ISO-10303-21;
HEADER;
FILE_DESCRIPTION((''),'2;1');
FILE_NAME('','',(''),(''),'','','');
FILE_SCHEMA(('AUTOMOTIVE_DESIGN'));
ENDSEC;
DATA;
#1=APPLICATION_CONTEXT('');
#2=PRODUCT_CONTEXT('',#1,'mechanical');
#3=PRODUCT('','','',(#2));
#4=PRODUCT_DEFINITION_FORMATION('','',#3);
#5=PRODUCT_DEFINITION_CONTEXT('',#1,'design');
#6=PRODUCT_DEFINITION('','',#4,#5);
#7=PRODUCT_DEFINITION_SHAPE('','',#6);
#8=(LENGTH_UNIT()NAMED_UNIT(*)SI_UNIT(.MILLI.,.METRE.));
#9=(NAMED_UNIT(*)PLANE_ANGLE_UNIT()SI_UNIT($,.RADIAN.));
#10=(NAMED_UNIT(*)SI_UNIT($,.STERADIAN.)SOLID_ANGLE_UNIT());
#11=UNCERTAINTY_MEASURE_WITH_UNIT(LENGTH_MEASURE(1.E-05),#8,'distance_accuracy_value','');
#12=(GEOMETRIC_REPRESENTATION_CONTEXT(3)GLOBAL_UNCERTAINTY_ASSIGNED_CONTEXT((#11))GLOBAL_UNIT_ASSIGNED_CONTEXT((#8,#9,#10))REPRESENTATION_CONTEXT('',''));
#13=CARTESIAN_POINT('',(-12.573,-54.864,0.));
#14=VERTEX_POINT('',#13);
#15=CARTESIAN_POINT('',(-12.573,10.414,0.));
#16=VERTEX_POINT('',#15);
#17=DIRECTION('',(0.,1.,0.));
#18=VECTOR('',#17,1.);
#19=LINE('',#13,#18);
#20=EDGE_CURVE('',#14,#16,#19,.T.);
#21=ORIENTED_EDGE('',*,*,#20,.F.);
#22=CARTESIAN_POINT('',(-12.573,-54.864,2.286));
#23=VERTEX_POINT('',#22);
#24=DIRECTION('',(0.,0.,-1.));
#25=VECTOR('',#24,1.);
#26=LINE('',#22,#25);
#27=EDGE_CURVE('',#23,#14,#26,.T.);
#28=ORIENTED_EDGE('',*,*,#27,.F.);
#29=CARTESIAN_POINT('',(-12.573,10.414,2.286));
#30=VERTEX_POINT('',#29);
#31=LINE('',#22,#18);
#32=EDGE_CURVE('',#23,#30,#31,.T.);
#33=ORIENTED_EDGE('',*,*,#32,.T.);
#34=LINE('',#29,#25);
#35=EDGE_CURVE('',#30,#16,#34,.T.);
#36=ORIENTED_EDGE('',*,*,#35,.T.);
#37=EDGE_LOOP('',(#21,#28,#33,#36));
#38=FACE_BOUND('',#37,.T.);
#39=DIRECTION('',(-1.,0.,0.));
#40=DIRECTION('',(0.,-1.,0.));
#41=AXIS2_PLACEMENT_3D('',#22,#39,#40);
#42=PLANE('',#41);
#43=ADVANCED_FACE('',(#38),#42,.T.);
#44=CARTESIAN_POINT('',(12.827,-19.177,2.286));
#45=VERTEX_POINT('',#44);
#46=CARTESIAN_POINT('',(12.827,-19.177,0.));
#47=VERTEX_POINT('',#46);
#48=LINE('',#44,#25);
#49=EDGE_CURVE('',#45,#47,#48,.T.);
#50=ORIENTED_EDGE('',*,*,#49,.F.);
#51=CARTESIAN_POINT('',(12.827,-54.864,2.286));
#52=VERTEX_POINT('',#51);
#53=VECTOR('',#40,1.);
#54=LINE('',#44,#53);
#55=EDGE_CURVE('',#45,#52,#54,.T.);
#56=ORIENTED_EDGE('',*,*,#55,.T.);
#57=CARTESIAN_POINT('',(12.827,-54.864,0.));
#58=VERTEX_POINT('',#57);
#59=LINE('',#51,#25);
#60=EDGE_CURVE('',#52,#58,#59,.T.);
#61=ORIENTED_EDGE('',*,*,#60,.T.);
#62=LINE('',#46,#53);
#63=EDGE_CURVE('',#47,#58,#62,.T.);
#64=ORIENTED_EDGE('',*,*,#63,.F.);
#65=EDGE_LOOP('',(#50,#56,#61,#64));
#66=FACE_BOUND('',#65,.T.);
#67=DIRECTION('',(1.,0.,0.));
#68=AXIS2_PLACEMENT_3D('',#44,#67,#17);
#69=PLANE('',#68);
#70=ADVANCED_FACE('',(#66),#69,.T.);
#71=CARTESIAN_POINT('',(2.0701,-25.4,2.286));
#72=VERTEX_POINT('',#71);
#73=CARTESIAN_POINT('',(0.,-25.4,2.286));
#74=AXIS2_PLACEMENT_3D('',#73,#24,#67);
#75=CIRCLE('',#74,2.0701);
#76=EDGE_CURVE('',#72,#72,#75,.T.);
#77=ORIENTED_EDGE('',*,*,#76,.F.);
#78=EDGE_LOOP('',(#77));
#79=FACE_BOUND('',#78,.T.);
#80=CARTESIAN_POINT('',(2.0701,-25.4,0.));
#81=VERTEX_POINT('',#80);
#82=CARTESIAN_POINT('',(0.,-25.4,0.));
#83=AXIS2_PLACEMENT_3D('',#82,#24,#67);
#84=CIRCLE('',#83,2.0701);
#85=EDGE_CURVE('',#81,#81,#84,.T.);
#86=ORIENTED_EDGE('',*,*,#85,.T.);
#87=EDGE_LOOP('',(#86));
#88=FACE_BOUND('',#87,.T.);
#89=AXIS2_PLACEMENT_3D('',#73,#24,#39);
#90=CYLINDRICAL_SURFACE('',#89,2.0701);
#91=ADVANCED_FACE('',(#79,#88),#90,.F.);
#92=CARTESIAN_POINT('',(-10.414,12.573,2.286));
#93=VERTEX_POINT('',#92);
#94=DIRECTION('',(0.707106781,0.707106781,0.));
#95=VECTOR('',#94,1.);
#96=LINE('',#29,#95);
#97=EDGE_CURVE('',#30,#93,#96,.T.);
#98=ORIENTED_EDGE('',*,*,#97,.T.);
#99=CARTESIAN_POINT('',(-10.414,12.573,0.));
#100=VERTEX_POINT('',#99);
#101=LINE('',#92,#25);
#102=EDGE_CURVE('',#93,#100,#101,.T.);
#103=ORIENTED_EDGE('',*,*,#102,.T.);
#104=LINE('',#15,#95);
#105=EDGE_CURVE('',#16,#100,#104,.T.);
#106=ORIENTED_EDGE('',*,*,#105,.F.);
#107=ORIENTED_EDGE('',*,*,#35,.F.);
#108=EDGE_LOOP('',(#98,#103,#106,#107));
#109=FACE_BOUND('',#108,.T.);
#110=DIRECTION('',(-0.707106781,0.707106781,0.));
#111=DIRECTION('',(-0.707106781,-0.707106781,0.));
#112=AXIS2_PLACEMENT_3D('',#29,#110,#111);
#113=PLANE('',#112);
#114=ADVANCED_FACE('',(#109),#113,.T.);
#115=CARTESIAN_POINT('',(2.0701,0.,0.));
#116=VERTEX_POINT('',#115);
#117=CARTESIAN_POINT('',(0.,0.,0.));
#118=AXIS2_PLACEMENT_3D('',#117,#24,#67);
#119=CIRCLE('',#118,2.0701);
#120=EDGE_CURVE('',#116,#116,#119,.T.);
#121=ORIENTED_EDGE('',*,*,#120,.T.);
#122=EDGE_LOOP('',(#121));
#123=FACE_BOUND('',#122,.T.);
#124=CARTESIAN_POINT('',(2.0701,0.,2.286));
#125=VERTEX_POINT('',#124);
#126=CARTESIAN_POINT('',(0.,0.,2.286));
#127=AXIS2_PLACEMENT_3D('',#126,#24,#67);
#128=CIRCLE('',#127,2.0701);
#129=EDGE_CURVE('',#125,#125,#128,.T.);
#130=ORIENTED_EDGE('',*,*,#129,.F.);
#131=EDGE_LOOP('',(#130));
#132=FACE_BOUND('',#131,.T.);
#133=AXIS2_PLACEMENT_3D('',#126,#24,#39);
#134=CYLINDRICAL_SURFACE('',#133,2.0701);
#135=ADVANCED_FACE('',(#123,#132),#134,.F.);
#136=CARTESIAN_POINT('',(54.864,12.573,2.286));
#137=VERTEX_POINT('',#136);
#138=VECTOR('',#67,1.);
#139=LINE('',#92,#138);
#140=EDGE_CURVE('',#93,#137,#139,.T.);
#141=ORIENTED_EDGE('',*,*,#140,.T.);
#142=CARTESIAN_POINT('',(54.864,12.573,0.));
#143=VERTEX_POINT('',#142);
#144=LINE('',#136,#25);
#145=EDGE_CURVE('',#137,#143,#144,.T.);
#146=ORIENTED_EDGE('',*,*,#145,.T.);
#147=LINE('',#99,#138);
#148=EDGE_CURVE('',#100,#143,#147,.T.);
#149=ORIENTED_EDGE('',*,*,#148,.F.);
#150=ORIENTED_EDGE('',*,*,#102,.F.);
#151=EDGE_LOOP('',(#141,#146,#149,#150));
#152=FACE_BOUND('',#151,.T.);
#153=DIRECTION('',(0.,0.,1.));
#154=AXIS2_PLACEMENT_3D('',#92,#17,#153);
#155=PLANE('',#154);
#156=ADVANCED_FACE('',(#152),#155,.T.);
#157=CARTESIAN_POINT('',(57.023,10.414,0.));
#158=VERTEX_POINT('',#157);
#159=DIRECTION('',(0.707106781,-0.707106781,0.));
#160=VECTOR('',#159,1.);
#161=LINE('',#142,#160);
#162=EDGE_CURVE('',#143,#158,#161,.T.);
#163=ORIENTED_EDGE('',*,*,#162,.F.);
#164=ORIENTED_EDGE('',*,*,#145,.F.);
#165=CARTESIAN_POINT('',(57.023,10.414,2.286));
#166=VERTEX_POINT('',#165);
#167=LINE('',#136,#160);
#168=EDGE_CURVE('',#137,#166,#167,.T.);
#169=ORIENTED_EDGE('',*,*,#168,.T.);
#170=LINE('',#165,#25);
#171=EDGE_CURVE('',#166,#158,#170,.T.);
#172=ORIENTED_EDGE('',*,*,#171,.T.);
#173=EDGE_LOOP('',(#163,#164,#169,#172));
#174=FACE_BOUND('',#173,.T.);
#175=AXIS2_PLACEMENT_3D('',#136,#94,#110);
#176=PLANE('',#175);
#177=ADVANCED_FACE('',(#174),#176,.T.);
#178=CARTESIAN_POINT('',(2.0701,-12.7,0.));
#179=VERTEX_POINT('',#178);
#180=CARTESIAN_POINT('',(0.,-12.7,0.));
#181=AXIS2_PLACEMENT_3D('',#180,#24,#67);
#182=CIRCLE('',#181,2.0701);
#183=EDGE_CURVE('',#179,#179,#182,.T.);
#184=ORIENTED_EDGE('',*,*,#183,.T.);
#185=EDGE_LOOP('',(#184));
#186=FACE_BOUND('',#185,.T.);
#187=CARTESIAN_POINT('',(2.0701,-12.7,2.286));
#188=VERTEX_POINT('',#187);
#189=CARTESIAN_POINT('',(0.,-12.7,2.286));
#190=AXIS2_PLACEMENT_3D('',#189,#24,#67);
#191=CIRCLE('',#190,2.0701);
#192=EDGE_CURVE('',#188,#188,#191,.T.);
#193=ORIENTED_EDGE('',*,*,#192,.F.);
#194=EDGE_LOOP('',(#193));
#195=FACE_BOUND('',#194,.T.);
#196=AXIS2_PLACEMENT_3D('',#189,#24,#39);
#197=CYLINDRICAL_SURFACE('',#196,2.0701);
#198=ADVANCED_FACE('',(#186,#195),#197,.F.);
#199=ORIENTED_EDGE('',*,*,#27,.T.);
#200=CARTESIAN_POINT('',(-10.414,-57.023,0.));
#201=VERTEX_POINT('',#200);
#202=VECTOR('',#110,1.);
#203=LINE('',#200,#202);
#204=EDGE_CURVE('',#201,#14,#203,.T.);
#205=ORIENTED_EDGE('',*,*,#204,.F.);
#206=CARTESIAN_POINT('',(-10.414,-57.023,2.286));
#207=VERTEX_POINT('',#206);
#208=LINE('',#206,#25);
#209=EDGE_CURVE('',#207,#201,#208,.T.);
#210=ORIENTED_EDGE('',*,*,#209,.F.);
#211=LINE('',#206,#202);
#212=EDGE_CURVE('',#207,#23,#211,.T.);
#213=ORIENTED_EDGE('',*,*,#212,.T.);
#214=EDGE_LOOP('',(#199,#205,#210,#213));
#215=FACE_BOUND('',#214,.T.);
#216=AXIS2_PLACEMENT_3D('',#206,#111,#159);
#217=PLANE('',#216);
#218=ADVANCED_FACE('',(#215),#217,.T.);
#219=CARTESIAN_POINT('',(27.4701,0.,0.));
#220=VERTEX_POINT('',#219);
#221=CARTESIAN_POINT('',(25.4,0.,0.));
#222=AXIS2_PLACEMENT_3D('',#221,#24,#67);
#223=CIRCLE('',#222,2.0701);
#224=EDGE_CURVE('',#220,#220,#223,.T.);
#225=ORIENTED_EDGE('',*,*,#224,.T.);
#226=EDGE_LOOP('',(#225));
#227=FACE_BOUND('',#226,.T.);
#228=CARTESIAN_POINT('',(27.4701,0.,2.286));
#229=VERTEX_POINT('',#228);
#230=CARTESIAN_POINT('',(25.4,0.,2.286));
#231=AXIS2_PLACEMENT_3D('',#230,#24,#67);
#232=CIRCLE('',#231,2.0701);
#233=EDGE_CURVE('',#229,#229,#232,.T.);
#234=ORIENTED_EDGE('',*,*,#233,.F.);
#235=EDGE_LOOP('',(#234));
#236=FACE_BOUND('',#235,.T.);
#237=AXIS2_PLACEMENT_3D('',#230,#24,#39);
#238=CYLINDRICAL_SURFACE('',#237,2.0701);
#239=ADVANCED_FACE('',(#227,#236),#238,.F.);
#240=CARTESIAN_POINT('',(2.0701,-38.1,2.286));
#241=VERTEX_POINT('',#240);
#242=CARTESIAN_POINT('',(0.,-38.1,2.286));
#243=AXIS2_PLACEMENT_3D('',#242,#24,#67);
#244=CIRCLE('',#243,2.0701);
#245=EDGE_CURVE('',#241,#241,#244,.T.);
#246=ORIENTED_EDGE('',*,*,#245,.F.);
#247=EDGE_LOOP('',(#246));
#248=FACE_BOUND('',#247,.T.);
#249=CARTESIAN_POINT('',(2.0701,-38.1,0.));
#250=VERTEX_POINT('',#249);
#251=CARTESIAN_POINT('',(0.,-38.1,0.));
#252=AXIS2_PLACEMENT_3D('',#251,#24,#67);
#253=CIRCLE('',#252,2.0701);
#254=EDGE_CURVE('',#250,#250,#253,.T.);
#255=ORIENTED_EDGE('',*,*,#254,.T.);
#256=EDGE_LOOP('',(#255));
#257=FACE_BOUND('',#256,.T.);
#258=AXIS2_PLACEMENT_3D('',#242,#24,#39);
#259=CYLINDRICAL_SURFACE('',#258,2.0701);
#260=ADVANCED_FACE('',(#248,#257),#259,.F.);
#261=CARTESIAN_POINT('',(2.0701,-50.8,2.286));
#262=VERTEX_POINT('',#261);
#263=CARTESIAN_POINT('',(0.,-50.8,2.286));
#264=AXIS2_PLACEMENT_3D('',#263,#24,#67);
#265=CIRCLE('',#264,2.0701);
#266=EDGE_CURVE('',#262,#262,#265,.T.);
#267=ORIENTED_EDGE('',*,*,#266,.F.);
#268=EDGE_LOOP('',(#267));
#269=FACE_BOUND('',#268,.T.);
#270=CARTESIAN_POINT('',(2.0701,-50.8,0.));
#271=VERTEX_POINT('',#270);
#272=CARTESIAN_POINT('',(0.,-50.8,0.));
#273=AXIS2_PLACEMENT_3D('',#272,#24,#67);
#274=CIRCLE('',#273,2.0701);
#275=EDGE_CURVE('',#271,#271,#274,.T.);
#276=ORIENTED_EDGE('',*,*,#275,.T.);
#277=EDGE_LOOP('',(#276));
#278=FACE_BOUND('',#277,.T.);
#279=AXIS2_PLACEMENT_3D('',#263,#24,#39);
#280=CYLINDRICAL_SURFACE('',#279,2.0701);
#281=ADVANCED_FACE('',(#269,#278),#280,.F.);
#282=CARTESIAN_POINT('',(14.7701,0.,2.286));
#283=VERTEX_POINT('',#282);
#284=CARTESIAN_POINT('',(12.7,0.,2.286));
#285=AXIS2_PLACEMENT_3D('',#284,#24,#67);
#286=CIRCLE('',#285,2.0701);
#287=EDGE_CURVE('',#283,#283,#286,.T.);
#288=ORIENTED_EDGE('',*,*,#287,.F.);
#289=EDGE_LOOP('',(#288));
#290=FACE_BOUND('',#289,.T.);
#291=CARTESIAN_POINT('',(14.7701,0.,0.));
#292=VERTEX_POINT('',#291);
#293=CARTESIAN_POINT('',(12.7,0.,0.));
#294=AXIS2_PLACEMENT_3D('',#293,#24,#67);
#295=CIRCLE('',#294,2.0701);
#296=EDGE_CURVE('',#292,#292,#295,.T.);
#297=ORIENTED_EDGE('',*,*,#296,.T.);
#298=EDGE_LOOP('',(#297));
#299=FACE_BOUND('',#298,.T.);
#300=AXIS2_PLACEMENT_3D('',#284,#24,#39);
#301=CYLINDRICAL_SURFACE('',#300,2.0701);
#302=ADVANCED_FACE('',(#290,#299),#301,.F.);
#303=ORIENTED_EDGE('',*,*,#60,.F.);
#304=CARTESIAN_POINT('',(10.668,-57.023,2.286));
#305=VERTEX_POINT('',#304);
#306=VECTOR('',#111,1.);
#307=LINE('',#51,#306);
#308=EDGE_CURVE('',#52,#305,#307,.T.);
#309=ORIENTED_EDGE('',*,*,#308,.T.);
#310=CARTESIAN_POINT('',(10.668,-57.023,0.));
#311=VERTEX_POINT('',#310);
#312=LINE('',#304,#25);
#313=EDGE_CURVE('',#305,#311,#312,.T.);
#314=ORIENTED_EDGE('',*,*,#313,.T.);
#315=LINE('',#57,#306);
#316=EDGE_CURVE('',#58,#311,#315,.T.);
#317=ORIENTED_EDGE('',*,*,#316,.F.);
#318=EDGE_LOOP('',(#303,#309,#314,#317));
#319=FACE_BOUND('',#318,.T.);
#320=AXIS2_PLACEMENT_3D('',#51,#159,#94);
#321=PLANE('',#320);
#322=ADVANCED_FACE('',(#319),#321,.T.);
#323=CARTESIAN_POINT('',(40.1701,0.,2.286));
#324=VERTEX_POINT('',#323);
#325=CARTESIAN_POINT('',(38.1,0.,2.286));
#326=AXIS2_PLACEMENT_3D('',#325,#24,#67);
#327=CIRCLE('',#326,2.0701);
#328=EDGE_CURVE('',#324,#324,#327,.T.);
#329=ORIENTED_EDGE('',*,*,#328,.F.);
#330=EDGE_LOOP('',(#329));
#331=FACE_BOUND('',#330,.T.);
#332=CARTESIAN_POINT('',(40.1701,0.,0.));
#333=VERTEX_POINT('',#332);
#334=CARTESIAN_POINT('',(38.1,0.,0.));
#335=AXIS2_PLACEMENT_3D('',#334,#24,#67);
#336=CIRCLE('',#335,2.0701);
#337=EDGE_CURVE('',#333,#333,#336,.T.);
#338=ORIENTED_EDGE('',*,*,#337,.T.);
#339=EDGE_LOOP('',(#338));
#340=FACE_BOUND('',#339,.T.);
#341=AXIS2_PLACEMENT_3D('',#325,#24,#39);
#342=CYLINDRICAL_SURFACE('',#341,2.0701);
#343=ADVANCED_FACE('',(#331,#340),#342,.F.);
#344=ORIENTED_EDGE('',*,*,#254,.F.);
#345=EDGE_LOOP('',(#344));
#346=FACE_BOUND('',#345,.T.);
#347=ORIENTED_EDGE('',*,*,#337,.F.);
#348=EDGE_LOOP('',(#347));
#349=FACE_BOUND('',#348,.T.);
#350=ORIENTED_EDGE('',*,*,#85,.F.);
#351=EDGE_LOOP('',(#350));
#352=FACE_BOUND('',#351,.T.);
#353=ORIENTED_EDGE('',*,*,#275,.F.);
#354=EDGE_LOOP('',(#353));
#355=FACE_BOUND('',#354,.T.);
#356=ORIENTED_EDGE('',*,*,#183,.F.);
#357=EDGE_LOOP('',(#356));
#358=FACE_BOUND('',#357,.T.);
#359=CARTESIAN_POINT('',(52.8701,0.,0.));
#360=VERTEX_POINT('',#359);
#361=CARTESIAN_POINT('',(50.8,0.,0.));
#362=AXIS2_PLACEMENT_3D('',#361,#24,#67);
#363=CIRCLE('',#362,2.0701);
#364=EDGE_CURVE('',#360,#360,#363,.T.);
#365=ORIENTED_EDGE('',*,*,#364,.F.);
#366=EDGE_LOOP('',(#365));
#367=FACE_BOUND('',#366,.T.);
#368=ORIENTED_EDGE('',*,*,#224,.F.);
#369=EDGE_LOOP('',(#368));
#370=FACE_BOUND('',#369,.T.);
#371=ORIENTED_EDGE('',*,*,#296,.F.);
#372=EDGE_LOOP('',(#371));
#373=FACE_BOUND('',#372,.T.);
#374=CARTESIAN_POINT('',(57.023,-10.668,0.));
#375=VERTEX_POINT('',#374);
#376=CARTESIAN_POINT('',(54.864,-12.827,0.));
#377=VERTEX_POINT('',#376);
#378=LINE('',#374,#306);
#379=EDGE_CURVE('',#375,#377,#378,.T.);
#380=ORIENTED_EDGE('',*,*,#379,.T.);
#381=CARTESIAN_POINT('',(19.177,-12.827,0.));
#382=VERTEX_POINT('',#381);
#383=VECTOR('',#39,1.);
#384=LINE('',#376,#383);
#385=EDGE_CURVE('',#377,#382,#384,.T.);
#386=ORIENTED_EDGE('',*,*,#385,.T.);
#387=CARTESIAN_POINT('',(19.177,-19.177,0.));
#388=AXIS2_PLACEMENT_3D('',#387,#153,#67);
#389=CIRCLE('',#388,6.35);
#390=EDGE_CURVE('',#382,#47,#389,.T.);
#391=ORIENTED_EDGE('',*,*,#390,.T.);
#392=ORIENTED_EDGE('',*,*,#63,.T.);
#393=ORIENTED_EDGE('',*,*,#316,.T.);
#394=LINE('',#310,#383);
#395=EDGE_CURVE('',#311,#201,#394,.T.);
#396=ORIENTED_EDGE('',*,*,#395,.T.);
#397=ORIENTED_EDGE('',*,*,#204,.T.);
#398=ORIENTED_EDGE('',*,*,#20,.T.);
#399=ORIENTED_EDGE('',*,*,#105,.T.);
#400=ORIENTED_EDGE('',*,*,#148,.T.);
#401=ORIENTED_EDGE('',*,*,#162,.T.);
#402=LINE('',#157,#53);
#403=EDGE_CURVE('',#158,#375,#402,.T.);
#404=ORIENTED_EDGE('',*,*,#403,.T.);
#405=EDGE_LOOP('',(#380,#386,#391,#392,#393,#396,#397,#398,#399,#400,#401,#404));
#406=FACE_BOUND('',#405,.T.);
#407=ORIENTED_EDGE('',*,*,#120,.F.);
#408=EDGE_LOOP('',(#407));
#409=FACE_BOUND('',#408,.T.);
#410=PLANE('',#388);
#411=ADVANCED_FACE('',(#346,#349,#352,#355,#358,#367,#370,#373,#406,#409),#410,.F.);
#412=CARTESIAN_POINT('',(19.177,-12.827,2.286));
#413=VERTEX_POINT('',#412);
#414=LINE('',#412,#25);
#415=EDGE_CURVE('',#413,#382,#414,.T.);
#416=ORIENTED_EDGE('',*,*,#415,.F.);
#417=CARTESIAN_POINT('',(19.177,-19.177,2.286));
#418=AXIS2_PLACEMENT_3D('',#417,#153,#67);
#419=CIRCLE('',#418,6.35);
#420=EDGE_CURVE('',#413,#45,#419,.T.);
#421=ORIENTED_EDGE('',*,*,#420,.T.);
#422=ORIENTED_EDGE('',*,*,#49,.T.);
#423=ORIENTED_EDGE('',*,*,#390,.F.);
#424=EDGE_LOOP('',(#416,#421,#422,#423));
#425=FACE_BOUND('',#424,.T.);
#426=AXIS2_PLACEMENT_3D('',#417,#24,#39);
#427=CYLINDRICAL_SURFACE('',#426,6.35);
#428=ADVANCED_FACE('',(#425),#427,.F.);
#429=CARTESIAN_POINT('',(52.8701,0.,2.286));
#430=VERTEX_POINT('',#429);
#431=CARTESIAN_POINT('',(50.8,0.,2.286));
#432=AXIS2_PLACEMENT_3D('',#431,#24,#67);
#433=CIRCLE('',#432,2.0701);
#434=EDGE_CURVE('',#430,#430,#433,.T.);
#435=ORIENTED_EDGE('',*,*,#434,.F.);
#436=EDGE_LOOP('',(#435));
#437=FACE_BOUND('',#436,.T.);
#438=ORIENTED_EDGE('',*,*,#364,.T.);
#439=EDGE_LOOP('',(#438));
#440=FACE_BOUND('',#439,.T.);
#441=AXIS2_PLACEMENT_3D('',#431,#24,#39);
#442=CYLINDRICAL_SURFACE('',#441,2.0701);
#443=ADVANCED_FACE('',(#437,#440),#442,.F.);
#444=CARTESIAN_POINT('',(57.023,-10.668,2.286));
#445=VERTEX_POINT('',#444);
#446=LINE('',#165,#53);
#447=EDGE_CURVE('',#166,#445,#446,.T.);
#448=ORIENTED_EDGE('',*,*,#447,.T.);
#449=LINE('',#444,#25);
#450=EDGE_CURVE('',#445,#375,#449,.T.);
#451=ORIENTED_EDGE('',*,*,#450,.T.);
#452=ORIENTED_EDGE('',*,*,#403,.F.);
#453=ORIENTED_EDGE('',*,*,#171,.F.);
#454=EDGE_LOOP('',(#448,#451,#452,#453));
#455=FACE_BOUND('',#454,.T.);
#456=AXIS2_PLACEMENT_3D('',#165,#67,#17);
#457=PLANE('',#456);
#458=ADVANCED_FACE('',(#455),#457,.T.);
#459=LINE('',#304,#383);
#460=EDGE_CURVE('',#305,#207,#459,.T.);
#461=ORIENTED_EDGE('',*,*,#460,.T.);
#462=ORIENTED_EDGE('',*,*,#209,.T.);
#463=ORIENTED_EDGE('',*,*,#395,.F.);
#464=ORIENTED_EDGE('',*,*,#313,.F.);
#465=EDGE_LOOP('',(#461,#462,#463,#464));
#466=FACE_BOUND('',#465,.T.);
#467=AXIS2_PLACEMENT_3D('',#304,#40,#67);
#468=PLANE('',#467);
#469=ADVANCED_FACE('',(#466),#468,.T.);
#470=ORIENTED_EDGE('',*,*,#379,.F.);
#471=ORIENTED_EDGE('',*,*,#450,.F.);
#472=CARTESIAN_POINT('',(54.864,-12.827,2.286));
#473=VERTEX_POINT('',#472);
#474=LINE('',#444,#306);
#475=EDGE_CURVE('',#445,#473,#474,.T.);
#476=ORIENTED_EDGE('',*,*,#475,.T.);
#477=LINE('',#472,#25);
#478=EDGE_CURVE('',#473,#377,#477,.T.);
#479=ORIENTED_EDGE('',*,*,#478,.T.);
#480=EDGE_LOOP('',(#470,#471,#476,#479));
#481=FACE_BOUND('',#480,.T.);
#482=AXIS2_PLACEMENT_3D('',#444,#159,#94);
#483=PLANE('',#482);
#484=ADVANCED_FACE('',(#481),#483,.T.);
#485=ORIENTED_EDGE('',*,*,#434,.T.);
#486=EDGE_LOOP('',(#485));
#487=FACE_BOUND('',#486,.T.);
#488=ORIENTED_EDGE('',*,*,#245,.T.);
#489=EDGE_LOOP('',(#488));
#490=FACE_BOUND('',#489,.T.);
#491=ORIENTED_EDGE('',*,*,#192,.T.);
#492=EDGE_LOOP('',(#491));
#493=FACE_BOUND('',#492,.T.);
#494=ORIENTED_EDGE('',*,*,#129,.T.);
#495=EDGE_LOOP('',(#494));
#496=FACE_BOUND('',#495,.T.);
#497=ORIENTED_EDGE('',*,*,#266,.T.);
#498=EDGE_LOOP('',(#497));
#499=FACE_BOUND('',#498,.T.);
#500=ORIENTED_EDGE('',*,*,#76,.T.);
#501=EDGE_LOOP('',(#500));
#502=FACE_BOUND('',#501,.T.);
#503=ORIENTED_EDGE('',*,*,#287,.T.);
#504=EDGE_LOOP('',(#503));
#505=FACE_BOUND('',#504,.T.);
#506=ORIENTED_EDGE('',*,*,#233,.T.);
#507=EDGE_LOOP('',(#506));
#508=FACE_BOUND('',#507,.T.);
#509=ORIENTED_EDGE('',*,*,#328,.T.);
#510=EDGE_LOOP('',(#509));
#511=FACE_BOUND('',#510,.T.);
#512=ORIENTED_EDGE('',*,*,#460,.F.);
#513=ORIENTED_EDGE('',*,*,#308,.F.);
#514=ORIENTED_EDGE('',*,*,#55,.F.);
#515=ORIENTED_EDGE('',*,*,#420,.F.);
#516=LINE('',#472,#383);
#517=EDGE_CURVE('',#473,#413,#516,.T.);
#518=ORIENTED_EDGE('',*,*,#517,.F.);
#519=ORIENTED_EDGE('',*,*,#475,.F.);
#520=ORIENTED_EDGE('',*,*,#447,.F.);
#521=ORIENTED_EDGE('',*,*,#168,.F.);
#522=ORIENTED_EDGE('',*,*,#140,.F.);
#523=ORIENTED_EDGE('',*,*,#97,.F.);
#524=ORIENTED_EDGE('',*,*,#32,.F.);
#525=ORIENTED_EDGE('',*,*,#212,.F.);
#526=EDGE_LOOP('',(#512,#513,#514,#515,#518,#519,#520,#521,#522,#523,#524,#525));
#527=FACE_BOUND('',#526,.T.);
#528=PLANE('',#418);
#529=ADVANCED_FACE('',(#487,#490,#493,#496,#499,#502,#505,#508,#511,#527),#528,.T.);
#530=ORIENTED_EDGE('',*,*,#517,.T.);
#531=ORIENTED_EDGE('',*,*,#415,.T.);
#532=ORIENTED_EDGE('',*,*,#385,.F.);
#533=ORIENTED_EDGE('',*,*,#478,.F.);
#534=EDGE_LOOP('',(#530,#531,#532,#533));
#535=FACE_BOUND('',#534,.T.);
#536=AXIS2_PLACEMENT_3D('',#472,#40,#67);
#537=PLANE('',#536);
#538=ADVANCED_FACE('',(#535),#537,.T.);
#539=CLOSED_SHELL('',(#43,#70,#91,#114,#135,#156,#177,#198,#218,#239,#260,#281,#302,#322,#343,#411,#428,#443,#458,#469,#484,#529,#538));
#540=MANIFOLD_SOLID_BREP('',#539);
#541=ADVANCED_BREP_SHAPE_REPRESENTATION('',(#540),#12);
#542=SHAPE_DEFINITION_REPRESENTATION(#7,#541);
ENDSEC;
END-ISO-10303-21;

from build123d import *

# Parameters (mm, degrees)
SKETCH1_R           = 2.0701
BOSS_EXTRUDE1_DEPTH = 2.286


with BuildPart() as part:
    # Sketch1 → Boss-Extrude1 (new body)
    with BuildSketch(Plane(origin=(0, 0, 0), x_dir=(-1, 0, 0), z_dir=(0, 0, -1))):
        with BuildLine():
            Line((10.414, 12.573), (-54.864, 12.573))
            Line((-54.864, 12.573), (-57.023, 10.414))
            Line((-57.023, 10.414), (-57.023, -10.668))
            Line((-57.023, -10.668), (-54.864, -12.827))
            Line((-54.864, -12.827), (-19.177, -12.827))
            ThreePointArc((-19.177, -12.827), (-14.686871939, -14.686871939), (-12.827, -19.177))
            Line((-12.827, -19.177), (-12.827, -54.864))
            Line((-12.827, -54.864), (-10.668, -57.023))
            Line((-10.668, -57.023), (10.414, -57.023))
            Line((10.414, -57.023), (12.573, -54.864))
            Line((12.573, -54.864), (12.573, 10.414))
            Line((12.573, 10.414), (10.414, 12.573))
        make_face()
        with Locations((0, -50.8)):
            Circle(SKETCH1_R, mode=Mode.SUBTRACT)
        with Locations((0, -25.4)):
            Circle(SKETCH1_R, mode=Mode.SUBTRACT)
        with Locations((-38.1, 0)):
            Circle(SKETCH1_R, mode=Mode.SUBTRACT)
        with Locations((-12.7, 0)):
            Circle(SKETCH1_R, mode=Mode.SUBTRACT)
        Circle(SKETCH1_R, mode=Mode.SUBTRACT)
        with Locations((-25.4, 0)):
            Circle(SKETCH1_R, mode=Mode.SUBTRACT)
        with Locations((0, -12.7)):
            Circle(SKETCH1_R, mode=Mode.SUBTRACT)
        with Locations((0, -38.1)):
            Circle(SKETCH1_R, mode=Mode.SUBTRACT)
        with Locations((-50.8, 0)):
            Circle(SKETCH1_R, mode=Mode.SUBTRACT)
    extrude(amount=-BOSS_EXTRUDE1_DEPTH)


solid = part.part
